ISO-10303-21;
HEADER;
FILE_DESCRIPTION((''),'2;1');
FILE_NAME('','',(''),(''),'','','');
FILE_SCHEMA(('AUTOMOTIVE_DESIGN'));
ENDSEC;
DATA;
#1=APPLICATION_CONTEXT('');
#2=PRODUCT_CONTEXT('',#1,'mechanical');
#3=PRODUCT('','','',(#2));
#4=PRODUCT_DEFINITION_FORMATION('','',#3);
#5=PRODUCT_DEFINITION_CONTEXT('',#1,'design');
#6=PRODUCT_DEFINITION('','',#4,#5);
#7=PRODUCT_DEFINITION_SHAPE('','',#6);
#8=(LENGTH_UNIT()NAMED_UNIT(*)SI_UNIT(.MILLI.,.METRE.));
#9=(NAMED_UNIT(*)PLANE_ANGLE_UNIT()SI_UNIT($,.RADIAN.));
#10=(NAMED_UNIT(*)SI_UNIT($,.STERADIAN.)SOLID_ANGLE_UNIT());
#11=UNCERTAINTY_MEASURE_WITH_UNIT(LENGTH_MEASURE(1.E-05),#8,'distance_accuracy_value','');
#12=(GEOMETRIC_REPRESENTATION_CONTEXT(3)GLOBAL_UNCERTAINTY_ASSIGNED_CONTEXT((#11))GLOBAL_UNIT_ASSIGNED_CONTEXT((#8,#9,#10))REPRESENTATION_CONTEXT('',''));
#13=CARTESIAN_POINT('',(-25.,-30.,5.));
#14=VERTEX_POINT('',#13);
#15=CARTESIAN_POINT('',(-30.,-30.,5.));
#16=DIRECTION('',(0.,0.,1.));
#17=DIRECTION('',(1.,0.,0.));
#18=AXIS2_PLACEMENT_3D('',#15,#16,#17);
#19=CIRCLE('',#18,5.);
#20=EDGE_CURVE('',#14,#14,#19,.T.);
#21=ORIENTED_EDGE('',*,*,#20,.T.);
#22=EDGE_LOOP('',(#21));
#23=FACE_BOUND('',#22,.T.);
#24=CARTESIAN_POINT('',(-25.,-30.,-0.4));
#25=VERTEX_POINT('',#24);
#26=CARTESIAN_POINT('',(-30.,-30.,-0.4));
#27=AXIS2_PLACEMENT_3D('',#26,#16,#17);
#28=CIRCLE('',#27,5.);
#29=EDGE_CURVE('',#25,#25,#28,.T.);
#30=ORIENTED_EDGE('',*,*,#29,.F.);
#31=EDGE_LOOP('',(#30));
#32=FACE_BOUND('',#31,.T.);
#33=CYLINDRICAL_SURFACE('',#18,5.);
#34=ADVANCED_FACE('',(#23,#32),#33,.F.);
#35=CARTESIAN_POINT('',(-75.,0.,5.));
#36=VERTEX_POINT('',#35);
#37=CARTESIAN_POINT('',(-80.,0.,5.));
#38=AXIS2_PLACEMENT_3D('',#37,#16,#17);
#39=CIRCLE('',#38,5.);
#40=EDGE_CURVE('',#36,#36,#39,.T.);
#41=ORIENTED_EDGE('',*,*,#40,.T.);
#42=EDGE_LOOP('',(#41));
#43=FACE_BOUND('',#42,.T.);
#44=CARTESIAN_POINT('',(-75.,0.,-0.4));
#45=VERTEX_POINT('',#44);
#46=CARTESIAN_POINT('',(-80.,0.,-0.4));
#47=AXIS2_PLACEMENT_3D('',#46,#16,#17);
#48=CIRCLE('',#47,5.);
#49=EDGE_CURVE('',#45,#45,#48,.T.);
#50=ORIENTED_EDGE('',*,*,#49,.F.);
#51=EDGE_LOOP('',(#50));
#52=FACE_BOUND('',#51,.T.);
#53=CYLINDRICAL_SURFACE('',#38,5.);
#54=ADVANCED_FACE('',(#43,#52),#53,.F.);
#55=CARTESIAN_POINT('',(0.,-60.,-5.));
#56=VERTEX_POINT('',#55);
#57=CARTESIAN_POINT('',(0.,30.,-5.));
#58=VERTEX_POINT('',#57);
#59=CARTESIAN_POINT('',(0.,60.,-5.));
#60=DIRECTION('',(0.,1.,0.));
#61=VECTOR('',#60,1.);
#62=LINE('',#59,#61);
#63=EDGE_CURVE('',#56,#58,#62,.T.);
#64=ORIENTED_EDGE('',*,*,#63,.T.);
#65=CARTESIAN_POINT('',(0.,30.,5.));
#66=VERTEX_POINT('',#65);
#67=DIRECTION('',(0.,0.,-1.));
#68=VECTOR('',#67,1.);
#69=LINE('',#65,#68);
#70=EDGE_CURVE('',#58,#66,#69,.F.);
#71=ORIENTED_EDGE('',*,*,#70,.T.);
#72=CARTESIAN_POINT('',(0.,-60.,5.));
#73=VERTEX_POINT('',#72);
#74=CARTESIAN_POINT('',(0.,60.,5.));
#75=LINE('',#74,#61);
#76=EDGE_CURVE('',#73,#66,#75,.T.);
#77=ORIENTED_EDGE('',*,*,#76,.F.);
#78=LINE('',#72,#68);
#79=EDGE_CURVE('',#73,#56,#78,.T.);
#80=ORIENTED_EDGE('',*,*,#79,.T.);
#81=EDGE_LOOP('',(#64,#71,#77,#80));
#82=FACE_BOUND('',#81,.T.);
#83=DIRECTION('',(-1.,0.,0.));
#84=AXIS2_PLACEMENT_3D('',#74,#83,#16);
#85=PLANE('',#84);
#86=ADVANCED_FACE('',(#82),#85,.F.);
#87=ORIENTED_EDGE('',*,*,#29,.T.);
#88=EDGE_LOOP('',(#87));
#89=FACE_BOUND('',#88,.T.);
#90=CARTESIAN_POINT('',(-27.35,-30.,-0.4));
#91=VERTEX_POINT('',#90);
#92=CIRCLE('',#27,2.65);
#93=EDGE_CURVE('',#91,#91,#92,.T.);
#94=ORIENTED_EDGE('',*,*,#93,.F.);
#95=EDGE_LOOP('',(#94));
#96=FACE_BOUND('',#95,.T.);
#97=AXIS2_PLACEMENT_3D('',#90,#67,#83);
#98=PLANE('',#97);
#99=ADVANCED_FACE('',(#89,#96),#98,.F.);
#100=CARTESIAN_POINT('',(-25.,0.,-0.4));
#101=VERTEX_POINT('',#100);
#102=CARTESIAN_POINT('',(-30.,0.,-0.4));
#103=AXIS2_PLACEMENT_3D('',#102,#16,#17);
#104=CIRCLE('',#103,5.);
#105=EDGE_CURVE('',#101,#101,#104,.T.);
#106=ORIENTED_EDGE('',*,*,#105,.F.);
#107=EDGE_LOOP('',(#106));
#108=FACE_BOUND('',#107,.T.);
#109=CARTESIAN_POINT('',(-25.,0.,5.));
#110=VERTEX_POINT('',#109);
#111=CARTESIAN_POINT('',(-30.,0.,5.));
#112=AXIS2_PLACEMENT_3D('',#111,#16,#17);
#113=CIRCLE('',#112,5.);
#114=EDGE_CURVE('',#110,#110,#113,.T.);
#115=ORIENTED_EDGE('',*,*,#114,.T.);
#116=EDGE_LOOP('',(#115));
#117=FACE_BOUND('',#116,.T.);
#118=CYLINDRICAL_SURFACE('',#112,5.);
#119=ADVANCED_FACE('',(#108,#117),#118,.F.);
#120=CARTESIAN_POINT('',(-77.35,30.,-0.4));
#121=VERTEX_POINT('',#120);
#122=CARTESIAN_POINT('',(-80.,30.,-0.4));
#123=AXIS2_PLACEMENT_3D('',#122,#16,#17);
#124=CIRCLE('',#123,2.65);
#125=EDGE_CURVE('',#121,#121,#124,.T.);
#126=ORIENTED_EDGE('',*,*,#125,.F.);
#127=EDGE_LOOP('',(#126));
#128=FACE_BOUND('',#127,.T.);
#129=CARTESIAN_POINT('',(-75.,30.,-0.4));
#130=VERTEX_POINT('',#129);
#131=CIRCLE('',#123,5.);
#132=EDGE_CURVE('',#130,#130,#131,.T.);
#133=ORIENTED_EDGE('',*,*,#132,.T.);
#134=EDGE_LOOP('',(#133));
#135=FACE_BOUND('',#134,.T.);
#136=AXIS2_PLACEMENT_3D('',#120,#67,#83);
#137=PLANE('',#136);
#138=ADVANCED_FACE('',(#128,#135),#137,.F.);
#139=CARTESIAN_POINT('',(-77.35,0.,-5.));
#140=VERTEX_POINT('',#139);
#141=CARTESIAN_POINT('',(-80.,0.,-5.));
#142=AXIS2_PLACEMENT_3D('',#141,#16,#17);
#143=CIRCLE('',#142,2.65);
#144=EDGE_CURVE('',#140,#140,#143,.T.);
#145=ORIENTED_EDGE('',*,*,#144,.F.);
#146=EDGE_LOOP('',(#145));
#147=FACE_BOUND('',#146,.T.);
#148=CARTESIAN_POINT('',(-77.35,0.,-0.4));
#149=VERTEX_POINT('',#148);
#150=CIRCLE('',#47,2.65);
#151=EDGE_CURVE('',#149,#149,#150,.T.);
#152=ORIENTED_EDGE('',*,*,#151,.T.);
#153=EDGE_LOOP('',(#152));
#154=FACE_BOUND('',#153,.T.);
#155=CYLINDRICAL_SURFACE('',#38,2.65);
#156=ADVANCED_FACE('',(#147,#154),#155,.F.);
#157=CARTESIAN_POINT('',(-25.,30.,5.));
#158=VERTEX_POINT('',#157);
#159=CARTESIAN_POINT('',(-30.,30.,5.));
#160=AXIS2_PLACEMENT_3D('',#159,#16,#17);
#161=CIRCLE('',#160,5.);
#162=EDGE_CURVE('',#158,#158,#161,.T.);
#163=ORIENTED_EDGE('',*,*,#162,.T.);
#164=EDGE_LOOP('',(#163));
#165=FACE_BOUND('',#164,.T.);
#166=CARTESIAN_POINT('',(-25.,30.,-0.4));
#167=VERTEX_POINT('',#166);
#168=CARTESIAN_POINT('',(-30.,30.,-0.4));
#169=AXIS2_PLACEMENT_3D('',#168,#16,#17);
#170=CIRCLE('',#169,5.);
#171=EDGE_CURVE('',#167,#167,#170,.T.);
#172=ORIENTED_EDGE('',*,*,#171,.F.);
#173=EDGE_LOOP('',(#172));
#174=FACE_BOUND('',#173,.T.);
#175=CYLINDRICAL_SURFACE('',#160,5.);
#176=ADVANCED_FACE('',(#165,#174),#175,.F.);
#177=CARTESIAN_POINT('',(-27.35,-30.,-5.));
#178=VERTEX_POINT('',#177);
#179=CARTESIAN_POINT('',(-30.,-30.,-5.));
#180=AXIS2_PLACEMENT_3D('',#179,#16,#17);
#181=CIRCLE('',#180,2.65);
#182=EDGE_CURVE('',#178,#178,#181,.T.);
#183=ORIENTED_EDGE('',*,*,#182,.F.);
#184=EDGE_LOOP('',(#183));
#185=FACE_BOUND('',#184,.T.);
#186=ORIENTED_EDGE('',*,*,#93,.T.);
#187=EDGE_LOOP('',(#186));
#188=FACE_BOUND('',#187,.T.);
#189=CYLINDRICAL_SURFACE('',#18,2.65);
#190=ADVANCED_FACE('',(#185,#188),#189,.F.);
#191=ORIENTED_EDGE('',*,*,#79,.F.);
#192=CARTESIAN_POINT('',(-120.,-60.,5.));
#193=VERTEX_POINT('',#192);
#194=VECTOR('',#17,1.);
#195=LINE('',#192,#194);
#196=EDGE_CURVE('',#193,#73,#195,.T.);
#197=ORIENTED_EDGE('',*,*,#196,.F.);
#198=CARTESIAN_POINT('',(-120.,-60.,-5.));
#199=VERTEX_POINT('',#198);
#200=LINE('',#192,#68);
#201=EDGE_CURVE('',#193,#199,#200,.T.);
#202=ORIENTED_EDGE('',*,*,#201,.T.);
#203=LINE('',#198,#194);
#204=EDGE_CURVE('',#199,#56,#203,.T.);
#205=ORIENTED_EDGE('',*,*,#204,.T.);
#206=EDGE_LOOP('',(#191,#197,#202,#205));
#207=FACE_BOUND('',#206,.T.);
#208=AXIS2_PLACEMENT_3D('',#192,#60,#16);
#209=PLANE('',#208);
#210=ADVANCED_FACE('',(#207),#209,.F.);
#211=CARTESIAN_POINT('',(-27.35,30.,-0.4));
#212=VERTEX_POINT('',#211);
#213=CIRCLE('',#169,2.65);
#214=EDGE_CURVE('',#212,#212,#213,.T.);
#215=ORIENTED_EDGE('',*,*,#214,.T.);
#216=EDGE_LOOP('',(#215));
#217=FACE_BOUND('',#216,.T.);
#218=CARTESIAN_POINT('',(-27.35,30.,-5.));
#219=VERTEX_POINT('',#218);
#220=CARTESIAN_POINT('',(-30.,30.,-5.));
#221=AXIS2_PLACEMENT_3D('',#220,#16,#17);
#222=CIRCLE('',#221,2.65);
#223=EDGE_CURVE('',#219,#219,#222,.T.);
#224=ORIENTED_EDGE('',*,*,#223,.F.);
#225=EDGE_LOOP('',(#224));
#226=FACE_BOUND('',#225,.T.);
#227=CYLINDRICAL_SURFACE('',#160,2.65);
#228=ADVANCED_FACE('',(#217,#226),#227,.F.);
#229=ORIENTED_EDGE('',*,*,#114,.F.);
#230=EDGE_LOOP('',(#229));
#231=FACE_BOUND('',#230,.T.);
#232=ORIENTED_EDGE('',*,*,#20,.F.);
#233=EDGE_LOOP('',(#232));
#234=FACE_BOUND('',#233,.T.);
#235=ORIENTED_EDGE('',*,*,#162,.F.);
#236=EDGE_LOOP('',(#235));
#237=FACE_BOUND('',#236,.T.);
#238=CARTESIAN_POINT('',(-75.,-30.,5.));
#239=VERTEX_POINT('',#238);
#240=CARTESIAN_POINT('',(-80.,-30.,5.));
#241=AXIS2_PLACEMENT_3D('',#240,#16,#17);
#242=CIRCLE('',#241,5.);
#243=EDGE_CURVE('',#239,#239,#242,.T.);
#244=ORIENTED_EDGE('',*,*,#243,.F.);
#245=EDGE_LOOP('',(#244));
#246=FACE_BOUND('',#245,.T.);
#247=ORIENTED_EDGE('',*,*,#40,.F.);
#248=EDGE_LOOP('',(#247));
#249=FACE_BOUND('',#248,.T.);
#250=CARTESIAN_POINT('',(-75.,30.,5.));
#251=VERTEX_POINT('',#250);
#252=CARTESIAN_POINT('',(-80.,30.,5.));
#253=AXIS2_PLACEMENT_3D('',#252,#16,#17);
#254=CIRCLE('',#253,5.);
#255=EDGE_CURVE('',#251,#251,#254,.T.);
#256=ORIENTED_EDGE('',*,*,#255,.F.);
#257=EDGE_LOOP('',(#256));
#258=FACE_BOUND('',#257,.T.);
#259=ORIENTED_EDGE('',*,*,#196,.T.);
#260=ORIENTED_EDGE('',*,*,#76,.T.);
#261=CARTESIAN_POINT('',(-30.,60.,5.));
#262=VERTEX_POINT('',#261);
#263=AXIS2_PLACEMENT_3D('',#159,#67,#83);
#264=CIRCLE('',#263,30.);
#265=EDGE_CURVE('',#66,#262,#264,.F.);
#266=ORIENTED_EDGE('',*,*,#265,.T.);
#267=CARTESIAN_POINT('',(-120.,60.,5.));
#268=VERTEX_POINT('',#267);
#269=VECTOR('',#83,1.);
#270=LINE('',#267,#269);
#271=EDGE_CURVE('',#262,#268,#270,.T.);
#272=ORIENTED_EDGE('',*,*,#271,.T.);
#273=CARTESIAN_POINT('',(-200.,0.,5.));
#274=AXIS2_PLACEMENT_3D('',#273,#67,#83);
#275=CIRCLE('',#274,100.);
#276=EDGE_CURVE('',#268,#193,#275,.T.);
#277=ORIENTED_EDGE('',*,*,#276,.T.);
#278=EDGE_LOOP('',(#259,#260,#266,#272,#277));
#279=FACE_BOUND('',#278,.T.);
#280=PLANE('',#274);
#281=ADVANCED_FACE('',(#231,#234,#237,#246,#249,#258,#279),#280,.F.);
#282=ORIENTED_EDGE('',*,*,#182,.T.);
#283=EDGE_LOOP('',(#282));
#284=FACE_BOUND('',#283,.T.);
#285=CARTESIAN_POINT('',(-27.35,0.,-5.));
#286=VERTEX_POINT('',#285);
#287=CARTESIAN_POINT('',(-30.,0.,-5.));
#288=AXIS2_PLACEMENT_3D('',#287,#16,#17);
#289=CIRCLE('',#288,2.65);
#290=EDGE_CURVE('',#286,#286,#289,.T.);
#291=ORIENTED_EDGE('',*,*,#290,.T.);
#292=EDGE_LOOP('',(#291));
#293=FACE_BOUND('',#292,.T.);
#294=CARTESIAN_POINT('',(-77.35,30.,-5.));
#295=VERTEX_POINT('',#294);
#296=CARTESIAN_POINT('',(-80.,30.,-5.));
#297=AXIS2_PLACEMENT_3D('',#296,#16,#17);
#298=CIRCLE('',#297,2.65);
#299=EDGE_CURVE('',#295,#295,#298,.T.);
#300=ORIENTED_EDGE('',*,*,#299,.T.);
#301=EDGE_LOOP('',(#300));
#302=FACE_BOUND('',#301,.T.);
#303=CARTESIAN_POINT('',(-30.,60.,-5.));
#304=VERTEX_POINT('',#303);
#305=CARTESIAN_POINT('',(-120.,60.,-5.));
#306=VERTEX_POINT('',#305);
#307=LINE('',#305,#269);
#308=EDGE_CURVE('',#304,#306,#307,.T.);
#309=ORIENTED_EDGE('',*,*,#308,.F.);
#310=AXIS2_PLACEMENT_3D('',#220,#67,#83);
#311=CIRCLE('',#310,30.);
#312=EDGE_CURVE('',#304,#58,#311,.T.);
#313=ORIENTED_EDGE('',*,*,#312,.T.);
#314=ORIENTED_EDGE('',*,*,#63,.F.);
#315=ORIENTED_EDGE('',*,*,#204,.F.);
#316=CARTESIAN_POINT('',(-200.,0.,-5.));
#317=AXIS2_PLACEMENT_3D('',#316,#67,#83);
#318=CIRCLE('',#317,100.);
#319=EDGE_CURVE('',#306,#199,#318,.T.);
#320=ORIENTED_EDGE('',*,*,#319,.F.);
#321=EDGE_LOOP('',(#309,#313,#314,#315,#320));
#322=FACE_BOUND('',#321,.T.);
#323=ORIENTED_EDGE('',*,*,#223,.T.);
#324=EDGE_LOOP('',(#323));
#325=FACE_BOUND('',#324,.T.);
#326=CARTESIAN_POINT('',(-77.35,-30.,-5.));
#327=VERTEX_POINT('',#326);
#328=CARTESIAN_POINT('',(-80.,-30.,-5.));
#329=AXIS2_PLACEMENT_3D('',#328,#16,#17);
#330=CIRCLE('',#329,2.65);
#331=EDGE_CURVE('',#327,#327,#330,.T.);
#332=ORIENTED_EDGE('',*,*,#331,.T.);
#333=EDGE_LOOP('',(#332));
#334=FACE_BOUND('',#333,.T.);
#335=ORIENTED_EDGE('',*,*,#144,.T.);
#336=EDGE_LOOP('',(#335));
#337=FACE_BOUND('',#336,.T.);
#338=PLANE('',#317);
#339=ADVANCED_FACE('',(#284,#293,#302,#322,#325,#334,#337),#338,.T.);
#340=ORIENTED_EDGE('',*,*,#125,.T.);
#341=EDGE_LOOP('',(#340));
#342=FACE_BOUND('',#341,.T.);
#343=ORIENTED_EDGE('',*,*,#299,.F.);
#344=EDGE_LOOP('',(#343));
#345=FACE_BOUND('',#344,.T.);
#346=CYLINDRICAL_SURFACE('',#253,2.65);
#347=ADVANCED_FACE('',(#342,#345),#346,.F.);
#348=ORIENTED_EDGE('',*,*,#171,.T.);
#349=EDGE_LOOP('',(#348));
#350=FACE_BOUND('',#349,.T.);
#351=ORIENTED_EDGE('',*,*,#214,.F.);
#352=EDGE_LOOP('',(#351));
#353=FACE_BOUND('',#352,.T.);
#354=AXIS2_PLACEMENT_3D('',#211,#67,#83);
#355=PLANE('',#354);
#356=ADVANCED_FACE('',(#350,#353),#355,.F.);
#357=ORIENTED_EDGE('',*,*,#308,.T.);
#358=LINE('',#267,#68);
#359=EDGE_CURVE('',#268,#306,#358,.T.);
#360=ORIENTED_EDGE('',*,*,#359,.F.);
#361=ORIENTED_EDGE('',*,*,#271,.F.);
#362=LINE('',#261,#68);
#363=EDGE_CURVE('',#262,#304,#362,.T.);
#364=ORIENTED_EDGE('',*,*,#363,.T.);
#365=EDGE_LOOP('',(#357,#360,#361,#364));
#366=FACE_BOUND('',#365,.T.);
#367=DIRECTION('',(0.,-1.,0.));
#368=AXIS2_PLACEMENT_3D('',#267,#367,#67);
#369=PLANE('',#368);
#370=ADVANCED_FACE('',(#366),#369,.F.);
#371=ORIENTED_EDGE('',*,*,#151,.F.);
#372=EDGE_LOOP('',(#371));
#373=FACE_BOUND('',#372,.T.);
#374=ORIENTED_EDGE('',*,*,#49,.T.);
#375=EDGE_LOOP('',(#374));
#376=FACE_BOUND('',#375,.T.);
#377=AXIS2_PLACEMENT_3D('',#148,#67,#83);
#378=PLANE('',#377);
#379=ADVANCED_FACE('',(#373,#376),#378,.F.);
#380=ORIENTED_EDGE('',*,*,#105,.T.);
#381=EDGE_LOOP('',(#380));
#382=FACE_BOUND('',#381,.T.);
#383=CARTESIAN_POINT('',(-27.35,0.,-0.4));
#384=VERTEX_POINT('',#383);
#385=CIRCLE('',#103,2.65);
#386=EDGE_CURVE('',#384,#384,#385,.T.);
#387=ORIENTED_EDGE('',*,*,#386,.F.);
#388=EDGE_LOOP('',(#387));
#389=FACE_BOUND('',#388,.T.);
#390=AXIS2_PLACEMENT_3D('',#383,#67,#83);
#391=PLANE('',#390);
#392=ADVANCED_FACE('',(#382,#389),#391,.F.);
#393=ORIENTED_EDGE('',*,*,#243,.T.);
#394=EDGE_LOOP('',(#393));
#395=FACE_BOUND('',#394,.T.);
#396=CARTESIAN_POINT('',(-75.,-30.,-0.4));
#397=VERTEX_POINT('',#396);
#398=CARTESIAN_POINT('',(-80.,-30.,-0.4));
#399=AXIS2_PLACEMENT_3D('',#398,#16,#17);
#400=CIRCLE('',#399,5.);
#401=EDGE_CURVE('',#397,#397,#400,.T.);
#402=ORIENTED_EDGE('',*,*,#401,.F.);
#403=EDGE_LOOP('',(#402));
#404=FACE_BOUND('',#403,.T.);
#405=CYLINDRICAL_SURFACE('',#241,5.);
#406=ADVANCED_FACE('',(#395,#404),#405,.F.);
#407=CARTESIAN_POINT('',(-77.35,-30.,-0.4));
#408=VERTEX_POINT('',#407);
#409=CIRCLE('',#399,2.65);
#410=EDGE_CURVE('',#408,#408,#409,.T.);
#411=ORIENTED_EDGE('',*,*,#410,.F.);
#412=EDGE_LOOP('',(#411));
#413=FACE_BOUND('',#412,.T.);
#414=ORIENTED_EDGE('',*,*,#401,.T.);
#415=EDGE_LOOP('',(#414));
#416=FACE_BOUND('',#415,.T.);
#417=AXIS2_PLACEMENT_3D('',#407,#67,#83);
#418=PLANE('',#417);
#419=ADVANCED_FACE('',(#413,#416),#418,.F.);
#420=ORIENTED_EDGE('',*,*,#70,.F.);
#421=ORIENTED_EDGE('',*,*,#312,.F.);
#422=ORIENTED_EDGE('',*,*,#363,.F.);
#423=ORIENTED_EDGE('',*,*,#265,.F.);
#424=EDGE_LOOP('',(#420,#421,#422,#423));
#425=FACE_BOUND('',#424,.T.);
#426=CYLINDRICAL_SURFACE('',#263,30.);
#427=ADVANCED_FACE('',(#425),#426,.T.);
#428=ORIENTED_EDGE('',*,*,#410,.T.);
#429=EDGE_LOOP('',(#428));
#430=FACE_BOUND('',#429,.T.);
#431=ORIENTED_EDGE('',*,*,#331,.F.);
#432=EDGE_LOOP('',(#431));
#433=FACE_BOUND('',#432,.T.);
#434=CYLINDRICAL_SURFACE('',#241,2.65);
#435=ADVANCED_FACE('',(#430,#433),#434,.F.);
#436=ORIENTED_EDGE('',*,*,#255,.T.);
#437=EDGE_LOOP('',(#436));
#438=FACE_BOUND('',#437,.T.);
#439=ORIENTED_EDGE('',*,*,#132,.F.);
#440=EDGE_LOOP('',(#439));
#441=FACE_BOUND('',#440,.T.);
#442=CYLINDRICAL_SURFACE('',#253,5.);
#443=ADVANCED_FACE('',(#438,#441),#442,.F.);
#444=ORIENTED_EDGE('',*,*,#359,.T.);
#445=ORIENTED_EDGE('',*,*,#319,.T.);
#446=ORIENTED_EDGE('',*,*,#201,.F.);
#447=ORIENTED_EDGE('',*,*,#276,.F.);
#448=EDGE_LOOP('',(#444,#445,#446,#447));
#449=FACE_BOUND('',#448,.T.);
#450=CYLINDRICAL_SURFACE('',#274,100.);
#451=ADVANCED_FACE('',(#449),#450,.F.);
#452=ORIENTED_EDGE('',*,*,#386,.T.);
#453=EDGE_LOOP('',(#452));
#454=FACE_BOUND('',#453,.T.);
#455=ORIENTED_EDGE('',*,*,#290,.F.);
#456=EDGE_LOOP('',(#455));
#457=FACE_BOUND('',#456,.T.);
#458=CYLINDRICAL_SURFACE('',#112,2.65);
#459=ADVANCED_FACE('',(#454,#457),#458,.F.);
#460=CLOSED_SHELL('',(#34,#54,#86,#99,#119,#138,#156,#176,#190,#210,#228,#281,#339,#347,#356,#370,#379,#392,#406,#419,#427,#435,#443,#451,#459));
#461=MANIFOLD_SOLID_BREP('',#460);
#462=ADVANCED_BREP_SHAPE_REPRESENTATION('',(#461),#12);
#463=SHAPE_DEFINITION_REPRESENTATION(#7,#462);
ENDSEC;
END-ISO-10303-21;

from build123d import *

# Parameters (mm, degrees)
AUFSATZ_LINEAR_AUSTRAGEN1_DEPTH                      = 5
VERRUNDUNG1_R                                        = 30
STIRNSENKUNG_F_R_M5_ZYLINDERSCHRAUBE_MIT_D           = 5.3
STIRNSENKUNG_F_R_M5_ZYLINDERSCHRAUBE_MIT_CBORE_D     = 10
STIRNSENKUNG_F_R_M5_ZYLINDERSCHRAUBE_MIT_CBORE_DEPTH = 5.4
LINEARES_MUSTER1_COUNT                               = 3
LINEARES_MUSTER1_PITCH                               = 30
LINEARES_MUSTER1_COUNT_DIR2                          = 2
LINEARES_MUSTER1_PITCH_DIR2                          = 50


with BuildPart() as part:
    # Skizze1 → Aufsatz-Linear austragen1 (new body, symmetric)
    with BuildSketch(Plane.XY):
        with BuildLine():
            Line((-120, 60), (0, 60))
            Line((0, 60), (0, -60))
            Line((0, -60), (-120, -60))
            ThreePointArc((-120, -60), (-100, 0), (-120, 60))
        make_face()
    extrude(amount=AUFSATZ_LINEAR_AUSTRAGEN1_DEPTH, both=True)

    # Verrundung1
    verrundung1_edges = [part.edges().sort_by_distance(p)[0] for p in [
        (0, 60, 0),
    ]]
    fillet(verrundung1_edges, radius=VERRUNDUNG1_R)

    # Stirnsenkung für M5 Zylinderschraube mit Innensechskant1 (through all)
    with Locations(Plane.XY.offset(5)):
        with Locations((-30, 30)):
            stirnsenkung_f_r_m5_zylinderschraube_mit = CounterBoreHole(STIRNSENKUNG_F_R_M5_ZYLINDERSCHRAUBE_MIT_D / 2, STIRNSENKUNG_F_R_M5_ZYLINDERSCHRAUBE_MIT_CBORE_D / 2, STIRNSENKUNG_F_R_M5_ZYLINDERSCHRAUBE_MIT_CBORE_DEPTH)

    # Lineares Muster1: Stirnsenkung f_r M5 Zylinderschraube mit 3 × 2
    with Locations(*[(-j * LINEARES_MUSTER1_PITCH_DIR2, -i * LINEARES_MUSTER1_PITCH, 0) for i in range(LINEARES_MUSTER1_COUNT) for j in range(LINEARES_MUSTER1_COUNT_DIR2) if (i, j) != (0, 0)]):
        add(stirnsenkung_f_r_m5_zylinderschraube_mit, mode=Mode.SUBTRACT)


solid = part.part
